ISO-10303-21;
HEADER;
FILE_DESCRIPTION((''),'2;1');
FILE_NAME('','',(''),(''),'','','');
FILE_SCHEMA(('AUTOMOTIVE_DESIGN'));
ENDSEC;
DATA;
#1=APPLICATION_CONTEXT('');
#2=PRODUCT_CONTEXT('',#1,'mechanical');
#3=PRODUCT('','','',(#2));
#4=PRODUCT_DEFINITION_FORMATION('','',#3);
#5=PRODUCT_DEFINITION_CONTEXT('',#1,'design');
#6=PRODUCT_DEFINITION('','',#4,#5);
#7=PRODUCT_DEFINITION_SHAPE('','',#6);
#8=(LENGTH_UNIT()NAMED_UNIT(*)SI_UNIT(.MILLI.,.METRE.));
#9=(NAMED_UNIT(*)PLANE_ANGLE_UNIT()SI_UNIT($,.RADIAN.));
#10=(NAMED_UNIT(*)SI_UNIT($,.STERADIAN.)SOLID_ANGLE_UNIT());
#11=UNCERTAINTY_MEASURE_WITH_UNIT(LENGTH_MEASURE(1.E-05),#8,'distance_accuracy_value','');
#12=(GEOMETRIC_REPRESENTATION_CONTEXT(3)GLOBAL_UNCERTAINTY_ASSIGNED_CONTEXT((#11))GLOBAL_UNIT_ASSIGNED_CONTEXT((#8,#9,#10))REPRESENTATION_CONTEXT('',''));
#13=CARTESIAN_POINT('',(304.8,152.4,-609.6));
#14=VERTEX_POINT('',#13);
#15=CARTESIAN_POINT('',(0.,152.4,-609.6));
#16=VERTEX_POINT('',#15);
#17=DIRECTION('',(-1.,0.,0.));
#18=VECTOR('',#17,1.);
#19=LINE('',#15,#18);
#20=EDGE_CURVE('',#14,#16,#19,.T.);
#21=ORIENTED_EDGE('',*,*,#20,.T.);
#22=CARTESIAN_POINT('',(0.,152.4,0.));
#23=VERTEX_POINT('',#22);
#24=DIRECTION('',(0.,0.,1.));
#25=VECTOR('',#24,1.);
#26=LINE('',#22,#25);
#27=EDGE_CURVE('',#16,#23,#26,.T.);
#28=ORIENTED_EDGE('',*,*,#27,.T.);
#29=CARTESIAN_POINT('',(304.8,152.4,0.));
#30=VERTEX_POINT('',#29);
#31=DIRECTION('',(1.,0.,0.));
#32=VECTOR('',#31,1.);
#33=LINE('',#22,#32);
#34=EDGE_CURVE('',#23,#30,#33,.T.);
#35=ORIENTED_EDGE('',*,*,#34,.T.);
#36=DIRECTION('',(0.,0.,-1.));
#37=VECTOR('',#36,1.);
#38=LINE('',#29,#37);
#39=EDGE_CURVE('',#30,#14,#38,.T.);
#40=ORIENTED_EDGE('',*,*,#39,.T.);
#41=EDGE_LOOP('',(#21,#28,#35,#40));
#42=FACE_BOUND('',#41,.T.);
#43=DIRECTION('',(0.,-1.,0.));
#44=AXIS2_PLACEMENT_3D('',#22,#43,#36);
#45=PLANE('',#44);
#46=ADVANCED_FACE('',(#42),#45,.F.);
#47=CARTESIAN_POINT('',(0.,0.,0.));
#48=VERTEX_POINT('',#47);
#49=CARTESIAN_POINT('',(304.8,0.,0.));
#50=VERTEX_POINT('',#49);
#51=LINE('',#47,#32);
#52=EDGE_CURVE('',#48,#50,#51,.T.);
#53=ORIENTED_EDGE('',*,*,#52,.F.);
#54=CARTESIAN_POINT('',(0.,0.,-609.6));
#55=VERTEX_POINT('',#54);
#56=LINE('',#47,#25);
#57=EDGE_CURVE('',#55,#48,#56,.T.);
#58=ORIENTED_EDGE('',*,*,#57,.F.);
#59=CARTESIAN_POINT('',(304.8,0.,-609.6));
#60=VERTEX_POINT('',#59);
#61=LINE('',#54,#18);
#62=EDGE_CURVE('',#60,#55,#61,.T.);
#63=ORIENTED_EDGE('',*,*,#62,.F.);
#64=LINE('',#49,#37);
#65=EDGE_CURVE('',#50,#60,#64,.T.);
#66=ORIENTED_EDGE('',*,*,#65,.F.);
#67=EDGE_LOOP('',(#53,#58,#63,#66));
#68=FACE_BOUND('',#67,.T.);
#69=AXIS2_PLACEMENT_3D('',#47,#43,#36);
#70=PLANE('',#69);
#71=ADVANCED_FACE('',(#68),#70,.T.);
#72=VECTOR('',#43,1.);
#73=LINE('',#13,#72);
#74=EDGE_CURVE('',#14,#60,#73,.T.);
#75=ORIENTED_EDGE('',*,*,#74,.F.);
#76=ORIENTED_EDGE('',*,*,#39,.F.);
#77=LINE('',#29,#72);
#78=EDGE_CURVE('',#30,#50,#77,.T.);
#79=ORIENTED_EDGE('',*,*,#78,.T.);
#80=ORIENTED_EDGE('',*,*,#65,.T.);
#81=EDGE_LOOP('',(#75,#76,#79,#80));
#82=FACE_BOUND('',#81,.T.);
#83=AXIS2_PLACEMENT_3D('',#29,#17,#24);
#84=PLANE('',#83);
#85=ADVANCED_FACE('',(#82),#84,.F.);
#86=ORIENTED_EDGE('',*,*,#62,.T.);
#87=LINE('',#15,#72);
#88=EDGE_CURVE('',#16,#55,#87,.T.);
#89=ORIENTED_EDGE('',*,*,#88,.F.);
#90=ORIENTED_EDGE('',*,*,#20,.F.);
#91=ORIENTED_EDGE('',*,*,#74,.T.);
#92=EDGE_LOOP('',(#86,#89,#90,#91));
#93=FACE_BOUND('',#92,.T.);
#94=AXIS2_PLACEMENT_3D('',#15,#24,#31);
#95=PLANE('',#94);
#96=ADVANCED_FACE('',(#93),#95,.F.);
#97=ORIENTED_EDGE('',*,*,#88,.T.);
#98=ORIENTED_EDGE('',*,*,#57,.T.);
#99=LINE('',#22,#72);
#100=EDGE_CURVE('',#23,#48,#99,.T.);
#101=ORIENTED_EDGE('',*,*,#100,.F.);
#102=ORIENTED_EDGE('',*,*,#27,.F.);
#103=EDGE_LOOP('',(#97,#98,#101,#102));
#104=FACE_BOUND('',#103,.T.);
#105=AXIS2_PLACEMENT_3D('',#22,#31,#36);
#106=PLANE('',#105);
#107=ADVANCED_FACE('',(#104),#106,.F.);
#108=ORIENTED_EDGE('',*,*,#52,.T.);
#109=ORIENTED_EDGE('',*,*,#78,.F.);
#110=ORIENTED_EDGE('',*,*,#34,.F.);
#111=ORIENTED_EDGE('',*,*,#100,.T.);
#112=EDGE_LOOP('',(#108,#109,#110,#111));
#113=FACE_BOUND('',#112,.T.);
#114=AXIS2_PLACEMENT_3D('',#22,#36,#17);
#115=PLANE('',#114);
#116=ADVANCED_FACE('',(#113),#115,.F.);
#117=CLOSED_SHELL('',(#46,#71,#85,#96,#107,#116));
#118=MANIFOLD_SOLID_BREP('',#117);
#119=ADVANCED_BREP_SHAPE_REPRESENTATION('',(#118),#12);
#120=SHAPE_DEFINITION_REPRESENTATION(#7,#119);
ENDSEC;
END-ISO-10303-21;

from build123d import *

# Parameters (mm, degrees)
SKETCH1_W           = 304.8
SKETCH1_H           = 609.6
BOSS_EXTRUDE1_DEPTH = 152.4


with BuildPart() as part:
    # Sketch1 → Boss-Extrude1 (new body)
    with BuildSketch(Plane(origin=(0, 0, 0), x_dir=(1, 0, 0), z_dir=(0, 1, 0))):
        with Locations((152.4, 304.8)):
            Rectangle(SKETCH1_W, SKETCH1_H)
    extrude(amount=BOSS_EXTRUDE1_DEPTH)


solid = part.part
